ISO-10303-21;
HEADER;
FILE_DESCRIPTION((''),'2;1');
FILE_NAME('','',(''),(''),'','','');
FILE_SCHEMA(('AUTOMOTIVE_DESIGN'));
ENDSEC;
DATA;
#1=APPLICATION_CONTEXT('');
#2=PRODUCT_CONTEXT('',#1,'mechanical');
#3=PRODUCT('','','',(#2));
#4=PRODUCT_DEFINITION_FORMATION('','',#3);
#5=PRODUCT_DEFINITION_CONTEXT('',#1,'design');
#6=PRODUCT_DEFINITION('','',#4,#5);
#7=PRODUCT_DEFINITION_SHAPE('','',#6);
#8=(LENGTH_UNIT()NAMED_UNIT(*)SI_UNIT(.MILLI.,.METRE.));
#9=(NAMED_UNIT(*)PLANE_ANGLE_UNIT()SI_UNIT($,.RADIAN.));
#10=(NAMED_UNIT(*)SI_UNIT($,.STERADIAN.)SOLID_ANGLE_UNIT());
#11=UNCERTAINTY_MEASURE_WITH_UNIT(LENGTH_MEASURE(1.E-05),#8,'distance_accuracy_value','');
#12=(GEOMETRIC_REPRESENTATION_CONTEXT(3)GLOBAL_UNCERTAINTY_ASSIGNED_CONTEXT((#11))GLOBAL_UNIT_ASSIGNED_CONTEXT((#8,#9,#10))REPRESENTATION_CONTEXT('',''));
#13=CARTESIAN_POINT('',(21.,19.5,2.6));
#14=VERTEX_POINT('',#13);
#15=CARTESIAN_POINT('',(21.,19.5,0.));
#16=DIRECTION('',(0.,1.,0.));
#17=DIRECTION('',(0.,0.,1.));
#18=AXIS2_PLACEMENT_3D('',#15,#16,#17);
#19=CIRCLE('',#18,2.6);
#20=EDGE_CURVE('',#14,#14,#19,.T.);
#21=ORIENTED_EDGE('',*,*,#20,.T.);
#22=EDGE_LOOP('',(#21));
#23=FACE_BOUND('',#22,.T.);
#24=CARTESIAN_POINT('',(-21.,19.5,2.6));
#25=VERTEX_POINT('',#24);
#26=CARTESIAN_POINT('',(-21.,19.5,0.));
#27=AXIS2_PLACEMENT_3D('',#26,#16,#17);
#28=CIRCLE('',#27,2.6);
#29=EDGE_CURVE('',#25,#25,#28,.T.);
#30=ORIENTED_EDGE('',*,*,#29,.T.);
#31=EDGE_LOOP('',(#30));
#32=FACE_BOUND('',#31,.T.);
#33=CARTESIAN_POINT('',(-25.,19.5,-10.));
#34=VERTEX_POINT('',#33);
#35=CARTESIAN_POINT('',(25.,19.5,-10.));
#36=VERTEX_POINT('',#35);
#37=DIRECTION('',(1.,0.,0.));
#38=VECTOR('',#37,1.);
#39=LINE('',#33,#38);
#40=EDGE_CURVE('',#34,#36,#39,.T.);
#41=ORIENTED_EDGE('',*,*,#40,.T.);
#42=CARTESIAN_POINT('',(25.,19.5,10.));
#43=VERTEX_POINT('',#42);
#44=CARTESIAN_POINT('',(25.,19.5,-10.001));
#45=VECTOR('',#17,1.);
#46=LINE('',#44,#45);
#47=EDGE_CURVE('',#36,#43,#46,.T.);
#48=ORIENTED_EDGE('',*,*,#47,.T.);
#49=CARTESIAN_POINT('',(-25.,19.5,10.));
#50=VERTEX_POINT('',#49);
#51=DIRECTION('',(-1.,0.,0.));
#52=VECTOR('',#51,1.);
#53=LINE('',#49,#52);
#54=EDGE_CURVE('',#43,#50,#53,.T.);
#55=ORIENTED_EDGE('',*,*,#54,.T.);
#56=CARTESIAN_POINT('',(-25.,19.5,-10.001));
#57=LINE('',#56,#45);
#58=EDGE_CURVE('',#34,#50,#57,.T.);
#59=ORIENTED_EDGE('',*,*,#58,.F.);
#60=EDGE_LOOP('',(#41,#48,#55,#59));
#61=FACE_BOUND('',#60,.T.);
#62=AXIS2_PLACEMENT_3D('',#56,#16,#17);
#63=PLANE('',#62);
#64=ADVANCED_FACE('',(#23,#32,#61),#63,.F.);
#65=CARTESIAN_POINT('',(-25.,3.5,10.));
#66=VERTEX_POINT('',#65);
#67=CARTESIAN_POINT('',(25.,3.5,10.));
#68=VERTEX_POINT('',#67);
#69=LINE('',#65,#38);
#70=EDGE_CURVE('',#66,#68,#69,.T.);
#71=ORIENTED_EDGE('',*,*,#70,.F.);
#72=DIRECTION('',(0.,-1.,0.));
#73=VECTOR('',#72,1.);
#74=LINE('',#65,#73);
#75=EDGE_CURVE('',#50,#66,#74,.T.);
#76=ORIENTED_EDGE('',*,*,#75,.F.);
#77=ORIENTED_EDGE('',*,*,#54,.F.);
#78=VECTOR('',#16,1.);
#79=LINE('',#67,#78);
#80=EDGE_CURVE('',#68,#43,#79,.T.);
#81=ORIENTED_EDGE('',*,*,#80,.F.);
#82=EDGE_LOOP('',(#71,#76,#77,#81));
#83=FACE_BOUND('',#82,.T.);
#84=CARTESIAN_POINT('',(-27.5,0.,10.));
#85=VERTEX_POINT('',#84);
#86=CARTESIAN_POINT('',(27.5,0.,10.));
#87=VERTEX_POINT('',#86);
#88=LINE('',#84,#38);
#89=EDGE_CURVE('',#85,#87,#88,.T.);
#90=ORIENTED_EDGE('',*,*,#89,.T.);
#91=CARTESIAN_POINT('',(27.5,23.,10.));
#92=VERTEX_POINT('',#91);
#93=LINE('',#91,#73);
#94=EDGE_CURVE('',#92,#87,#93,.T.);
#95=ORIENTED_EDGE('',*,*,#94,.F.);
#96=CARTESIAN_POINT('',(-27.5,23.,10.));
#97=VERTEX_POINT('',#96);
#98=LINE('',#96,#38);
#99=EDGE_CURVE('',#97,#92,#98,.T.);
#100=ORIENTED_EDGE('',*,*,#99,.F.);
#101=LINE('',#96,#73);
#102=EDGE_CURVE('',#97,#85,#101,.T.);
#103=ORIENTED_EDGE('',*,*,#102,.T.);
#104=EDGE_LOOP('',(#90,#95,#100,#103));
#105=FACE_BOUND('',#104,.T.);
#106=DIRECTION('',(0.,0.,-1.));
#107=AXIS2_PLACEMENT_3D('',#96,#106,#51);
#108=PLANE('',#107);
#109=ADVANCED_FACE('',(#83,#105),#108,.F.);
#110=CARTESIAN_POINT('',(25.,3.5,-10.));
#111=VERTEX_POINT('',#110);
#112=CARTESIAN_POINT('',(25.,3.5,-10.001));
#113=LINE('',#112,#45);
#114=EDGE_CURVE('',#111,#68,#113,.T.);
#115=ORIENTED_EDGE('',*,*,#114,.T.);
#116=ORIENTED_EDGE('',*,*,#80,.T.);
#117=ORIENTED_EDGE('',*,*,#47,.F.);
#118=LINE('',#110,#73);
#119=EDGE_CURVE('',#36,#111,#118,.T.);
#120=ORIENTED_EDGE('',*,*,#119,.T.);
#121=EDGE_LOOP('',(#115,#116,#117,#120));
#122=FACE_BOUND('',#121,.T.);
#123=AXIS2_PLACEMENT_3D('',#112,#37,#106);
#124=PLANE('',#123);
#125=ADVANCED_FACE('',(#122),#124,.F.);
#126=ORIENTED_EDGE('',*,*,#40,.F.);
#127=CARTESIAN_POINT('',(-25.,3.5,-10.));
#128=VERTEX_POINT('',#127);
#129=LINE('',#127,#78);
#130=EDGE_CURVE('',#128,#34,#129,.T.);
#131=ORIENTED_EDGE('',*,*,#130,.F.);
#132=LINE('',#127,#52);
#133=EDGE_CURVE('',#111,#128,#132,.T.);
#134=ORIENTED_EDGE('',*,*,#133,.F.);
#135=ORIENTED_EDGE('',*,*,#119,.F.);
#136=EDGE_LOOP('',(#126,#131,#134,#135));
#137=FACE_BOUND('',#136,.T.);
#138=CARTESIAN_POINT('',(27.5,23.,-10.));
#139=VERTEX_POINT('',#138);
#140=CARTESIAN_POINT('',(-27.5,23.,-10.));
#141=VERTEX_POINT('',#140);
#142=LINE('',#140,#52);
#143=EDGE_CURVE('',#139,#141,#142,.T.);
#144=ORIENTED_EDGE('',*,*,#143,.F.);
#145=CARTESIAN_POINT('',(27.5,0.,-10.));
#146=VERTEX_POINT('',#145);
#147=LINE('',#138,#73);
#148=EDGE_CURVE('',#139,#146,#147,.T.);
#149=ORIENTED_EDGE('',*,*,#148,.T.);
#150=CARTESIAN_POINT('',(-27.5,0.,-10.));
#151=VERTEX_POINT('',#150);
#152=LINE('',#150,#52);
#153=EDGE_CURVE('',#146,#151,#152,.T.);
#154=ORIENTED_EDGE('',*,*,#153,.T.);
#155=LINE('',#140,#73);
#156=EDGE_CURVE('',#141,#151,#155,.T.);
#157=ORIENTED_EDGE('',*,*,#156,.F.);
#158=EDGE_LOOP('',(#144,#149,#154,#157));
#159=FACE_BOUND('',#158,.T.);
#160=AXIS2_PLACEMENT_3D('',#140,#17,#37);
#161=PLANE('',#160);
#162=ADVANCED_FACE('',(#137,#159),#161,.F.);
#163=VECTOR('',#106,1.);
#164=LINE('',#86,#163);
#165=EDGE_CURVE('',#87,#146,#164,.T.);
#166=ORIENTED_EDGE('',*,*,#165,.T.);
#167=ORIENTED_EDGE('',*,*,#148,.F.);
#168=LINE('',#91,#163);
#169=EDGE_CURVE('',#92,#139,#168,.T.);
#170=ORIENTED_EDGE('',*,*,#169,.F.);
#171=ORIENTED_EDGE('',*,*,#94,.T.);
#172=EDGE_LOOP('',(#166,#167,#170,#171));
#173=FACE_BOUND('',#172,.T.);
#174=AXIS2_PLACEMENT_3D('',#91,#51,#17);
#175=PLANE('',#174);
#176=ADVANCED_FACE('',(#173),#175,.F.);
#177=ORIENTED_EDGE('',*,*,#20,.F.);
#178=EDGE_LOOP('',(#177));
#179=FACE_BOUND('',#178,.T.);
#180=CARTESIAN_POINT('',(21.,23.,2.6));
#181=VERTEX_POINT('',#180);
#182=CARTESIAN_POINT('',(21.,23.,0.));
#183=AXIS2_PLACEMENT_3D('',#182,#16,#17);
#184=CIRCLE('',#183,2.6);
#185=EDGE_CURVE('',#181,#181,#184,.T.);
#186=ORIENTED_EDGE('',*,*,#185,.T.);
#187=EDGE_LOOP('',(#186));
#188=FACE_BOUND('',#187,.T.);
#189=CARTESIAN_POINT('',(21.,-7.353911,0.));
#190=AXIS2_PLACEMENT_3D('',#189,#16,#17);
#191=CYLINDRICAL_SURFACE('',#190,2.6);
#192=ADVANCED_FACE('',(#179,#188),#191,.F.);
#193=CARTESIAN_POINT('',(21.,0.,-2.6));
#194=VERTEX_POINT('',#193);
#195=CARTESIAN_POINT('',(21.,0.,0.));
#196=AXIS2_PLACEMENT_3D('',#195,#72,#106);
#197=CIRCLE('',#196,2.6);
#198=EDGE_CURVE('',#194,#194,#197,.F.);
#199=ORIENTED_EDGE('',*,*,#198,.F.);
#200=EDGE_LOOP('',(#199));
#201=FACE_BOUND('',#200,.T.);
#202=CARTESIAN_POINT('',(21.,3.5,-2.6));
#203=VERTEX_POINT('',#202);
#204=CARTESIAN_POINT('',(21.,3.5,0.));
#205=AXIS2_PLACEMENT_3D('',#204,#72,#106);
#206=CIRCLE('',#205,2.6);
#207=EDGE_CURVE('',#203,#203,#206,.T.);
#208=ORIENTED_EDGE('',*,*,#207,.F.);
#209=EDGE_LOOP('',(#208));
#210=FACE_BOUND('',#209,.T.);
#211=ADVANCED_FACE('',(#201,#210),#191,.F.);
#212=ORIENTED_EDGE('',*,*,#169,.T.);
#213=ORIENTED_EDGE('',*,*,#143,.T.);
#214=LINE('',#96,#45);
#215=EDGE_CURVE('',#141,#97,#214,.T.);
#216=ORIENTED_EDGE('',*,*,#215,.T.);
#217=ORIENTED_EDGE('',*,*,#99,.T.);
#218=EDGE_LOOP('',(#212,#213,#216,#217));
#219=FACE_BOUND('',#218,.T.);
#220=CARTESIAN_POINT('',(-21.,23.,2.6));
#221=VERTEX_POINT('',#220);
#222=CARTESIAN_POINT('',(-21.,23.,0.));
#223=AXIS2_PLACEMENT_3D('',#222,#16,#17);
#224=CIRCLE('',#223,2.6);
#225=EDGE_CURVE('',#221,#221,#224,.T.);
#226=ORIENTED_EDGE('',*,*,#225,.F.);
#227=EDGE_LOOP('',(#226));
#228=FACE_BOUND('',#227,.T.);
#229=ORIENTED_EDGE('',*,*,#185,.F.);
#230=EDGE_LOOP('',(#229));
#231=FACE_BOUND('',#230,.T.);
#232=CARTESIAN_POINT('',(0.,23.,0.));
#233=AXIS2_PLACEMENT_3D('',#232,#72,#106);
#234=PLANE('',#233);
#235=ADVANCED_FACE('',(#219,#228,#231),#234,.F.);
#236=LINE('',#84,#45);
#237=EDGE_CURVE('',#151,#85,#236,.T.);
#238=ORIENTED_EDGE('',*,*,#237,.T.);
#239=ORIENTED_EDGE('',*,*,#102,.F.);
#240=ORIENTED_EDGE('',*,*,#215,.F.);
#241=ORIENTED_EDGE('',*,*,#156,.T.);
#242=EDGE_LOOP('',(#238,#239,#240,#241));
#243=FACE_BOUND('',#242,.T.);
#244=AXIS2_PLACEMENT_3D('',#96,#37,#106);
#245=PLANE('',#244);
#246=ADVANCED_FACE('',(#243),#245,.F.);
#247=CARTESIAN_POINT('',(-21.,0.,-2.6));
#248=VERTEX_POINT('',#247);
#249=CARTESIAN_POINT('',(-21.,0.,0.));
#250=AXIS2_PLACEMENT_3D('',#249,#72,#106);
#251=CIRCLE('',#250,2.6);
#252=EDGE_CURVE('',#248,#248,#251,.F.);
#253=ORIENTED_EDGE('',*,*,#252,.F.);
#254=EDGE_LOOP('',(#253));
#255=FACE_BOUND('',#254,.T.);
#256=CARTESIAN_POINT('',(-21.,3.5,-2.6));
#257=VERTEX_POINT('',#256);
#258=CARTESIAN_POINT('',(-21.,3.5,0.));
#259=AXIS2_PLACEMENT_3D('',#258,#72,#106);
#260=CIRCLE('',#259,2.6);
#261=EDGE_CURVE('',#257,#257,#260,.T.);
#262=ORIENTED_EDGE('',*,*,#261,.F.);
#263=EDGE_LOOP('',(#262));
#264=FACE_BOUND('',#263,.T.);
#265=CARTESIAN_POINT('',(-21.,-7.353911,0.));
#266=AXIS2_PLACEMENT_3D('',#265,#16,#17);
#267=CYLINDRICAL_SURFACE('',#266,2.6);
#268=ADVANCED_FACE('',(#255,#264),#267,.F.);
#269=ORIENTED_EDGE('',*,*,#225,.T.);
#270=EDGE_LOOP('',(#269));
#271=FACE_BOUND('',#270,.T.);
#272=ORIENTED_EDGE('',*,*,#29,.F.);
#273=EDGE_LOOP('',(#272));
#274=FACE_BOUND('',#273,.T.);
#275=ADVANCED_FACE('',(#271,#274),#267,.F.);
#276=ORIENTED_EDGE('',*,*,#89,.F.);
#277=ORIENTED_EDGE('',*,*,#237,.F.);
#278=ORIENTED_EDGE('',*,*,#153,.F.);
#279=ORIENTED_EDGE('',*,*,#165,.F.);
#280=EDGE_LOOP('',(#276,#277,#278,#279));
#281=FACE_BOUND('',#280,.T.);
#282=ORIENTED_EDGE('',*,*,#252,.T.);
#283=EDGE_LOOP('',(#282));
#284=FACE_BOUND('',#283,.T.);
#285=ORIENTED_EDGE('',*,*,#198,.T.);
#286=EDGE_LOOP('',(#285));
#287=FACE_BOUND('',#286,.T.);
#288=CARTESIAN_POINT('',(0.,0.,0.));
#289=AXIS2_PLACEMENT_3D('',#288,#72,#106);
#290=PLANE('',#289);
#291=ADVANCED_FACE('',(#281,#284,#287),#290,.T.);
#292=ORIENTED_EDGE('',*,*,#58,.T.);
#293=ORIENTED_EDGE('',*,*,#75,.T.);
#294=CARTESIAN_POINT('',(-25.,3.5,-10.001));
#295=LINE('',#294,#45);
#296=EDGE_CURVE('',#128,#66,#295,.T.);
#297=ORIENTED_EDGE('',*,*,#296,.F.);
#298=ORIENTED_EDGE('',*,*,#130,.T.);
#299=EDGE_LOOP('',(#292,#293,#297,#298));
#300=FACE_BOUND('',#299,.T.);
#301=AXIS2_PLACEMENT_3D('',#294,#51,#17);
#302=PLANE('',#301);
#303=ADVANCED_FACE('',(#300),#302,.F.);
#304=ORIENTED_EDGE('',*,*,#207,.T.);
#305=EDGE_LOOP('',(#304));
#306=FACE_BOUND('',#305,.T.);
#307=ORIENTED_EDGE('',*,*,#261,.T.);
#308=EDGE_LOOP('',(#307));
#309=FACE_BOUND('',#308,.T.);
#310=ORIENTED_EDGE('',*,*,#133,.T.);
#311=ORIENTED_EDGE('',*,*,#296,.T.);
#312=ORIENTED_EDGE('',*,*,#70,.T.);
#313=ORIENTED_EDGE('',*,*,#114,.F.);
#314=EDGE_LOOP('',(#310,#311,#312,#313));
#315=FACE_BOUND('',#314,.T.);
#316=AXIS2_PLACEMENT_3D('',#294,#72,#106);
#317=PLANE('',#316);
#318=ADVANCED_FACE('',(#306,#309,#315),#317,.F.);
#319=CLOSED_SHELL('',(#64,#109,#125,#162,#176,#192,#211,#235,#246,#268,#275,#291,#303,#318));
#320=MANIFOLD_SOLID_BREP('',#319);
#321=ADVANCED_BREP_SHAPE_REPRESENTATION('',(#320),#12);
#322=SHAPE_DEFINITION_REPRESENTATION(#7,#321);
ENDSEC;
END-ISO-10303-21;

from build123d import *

# Parameters (mm, degrees)
SKETCH_1_W          = 55
SKETCH_1_H          = 20
EXTRUDE_1_DEPTH     = 23
CUT_EXTRUDE_1_REACH = 43.052
SKETCH_2_W          = 50
SKETCH_2_H          = 16
CUT_EXTRUDE_2_REACH = 39.219
SKETCH_3_R          = 2.6


with BuildPart() as part:
    # 草图1 → 凸台-拉伸1 (new body)
    with BuildSketch(Plane(origin=(0, 0, 0), x_dir=(1, 0, 0), z_dir=(0, 1, 0))):
        Rectangle(SKETCH_1_W, SKETCH_1_H)
    extrude(amount=EXTRUDE_1_DEPTH)

    # 草图2 → 切除-拉伸1 (cut, up to next)
    with BuildSketch(Plane.XY.offset(10), mode=Mode.PRIVATE) as cut_extrude_1_sk1:
        with Locations((0, 11.5)):
            Rectangle(SKETCH_2_W, SKETCH_2_H)
    cut_extrude_1_tool1 = extrude(cut_extrude_1_sk1.sketch, amount=-CUT_EXTRUDE_1_REACH, mode=Mode.PRIVATE) & part.part
    add(cut_extrude_1_tool1.solids().sort_by_distance((0, 11.5, 10))[0], mode=Mode.SUBTRACT)

    # 切除-拉伸2: up to this face of the body (flat: up to its plane)
    cut_extrude_2_end = Plane(part.part.faces().sort_by_distance((0, 0, 0))[0])
    # 草图3 → 切除-拉伸2 (cut, up to the picked face)
    with BuildSketch(Plane(origin=(0, 23, 0), x_dir=(1, 0, 0), z_dir=(0, 1, 0)), mode=Mode.PRIVATE) as cut_extrude_2_sk1:
        with Locations(Location((-21, 0, 0), (0, 0, 270))):
            Circle(SKETCH_3_R)
    cut_extrude_2_tool1 = split(extrude(cut_extrude_2_sk1.sketch, amount=-CUT_EXTRUDE_2_REACH, mode=Mode.PRIVATE), bisect_by=cut_extrude_2_end, keep=Keep.BOTH, mode=Mode.PRIVATE)
    # 草图3 → 切除-拉伸2 (cut, up to the picked face)
    with BuildSketch(Plane(origin=(0, 23, 0), x_dir=(1, 0, 0), z_dir=(0, 1, 0)), mode=Mode.PRIVATE) as cut_extrude_2_sk2:
        with Locations(Location((21, 0, 0), (0, 0, 270))):
            Circle(SKETCH_3_R)
    cut_extrude_2_tool2 = split(extrude(cut_extrude_2_sk2.sketch, amount=-CUT_EXTRUDE_2_REACH, mode=Mode.PRIVATE), bisect_by=cut_extrude_2_end, keep=Keep.BOTH, mode=Mode.PRIVATE)
    add(cut_extrude_2_tool1.solids().sort_by(Axis((-21, 23, 0), (0, -1, 0)))[0], mode=Mode.SUBTRACT)
    add(cut_extrude_2_tool2.solids().sort_by(Axis((21, 23, 0), (0, -1, 0)))[0], mode=Mode.SUBTRACT)


solid = part.part
